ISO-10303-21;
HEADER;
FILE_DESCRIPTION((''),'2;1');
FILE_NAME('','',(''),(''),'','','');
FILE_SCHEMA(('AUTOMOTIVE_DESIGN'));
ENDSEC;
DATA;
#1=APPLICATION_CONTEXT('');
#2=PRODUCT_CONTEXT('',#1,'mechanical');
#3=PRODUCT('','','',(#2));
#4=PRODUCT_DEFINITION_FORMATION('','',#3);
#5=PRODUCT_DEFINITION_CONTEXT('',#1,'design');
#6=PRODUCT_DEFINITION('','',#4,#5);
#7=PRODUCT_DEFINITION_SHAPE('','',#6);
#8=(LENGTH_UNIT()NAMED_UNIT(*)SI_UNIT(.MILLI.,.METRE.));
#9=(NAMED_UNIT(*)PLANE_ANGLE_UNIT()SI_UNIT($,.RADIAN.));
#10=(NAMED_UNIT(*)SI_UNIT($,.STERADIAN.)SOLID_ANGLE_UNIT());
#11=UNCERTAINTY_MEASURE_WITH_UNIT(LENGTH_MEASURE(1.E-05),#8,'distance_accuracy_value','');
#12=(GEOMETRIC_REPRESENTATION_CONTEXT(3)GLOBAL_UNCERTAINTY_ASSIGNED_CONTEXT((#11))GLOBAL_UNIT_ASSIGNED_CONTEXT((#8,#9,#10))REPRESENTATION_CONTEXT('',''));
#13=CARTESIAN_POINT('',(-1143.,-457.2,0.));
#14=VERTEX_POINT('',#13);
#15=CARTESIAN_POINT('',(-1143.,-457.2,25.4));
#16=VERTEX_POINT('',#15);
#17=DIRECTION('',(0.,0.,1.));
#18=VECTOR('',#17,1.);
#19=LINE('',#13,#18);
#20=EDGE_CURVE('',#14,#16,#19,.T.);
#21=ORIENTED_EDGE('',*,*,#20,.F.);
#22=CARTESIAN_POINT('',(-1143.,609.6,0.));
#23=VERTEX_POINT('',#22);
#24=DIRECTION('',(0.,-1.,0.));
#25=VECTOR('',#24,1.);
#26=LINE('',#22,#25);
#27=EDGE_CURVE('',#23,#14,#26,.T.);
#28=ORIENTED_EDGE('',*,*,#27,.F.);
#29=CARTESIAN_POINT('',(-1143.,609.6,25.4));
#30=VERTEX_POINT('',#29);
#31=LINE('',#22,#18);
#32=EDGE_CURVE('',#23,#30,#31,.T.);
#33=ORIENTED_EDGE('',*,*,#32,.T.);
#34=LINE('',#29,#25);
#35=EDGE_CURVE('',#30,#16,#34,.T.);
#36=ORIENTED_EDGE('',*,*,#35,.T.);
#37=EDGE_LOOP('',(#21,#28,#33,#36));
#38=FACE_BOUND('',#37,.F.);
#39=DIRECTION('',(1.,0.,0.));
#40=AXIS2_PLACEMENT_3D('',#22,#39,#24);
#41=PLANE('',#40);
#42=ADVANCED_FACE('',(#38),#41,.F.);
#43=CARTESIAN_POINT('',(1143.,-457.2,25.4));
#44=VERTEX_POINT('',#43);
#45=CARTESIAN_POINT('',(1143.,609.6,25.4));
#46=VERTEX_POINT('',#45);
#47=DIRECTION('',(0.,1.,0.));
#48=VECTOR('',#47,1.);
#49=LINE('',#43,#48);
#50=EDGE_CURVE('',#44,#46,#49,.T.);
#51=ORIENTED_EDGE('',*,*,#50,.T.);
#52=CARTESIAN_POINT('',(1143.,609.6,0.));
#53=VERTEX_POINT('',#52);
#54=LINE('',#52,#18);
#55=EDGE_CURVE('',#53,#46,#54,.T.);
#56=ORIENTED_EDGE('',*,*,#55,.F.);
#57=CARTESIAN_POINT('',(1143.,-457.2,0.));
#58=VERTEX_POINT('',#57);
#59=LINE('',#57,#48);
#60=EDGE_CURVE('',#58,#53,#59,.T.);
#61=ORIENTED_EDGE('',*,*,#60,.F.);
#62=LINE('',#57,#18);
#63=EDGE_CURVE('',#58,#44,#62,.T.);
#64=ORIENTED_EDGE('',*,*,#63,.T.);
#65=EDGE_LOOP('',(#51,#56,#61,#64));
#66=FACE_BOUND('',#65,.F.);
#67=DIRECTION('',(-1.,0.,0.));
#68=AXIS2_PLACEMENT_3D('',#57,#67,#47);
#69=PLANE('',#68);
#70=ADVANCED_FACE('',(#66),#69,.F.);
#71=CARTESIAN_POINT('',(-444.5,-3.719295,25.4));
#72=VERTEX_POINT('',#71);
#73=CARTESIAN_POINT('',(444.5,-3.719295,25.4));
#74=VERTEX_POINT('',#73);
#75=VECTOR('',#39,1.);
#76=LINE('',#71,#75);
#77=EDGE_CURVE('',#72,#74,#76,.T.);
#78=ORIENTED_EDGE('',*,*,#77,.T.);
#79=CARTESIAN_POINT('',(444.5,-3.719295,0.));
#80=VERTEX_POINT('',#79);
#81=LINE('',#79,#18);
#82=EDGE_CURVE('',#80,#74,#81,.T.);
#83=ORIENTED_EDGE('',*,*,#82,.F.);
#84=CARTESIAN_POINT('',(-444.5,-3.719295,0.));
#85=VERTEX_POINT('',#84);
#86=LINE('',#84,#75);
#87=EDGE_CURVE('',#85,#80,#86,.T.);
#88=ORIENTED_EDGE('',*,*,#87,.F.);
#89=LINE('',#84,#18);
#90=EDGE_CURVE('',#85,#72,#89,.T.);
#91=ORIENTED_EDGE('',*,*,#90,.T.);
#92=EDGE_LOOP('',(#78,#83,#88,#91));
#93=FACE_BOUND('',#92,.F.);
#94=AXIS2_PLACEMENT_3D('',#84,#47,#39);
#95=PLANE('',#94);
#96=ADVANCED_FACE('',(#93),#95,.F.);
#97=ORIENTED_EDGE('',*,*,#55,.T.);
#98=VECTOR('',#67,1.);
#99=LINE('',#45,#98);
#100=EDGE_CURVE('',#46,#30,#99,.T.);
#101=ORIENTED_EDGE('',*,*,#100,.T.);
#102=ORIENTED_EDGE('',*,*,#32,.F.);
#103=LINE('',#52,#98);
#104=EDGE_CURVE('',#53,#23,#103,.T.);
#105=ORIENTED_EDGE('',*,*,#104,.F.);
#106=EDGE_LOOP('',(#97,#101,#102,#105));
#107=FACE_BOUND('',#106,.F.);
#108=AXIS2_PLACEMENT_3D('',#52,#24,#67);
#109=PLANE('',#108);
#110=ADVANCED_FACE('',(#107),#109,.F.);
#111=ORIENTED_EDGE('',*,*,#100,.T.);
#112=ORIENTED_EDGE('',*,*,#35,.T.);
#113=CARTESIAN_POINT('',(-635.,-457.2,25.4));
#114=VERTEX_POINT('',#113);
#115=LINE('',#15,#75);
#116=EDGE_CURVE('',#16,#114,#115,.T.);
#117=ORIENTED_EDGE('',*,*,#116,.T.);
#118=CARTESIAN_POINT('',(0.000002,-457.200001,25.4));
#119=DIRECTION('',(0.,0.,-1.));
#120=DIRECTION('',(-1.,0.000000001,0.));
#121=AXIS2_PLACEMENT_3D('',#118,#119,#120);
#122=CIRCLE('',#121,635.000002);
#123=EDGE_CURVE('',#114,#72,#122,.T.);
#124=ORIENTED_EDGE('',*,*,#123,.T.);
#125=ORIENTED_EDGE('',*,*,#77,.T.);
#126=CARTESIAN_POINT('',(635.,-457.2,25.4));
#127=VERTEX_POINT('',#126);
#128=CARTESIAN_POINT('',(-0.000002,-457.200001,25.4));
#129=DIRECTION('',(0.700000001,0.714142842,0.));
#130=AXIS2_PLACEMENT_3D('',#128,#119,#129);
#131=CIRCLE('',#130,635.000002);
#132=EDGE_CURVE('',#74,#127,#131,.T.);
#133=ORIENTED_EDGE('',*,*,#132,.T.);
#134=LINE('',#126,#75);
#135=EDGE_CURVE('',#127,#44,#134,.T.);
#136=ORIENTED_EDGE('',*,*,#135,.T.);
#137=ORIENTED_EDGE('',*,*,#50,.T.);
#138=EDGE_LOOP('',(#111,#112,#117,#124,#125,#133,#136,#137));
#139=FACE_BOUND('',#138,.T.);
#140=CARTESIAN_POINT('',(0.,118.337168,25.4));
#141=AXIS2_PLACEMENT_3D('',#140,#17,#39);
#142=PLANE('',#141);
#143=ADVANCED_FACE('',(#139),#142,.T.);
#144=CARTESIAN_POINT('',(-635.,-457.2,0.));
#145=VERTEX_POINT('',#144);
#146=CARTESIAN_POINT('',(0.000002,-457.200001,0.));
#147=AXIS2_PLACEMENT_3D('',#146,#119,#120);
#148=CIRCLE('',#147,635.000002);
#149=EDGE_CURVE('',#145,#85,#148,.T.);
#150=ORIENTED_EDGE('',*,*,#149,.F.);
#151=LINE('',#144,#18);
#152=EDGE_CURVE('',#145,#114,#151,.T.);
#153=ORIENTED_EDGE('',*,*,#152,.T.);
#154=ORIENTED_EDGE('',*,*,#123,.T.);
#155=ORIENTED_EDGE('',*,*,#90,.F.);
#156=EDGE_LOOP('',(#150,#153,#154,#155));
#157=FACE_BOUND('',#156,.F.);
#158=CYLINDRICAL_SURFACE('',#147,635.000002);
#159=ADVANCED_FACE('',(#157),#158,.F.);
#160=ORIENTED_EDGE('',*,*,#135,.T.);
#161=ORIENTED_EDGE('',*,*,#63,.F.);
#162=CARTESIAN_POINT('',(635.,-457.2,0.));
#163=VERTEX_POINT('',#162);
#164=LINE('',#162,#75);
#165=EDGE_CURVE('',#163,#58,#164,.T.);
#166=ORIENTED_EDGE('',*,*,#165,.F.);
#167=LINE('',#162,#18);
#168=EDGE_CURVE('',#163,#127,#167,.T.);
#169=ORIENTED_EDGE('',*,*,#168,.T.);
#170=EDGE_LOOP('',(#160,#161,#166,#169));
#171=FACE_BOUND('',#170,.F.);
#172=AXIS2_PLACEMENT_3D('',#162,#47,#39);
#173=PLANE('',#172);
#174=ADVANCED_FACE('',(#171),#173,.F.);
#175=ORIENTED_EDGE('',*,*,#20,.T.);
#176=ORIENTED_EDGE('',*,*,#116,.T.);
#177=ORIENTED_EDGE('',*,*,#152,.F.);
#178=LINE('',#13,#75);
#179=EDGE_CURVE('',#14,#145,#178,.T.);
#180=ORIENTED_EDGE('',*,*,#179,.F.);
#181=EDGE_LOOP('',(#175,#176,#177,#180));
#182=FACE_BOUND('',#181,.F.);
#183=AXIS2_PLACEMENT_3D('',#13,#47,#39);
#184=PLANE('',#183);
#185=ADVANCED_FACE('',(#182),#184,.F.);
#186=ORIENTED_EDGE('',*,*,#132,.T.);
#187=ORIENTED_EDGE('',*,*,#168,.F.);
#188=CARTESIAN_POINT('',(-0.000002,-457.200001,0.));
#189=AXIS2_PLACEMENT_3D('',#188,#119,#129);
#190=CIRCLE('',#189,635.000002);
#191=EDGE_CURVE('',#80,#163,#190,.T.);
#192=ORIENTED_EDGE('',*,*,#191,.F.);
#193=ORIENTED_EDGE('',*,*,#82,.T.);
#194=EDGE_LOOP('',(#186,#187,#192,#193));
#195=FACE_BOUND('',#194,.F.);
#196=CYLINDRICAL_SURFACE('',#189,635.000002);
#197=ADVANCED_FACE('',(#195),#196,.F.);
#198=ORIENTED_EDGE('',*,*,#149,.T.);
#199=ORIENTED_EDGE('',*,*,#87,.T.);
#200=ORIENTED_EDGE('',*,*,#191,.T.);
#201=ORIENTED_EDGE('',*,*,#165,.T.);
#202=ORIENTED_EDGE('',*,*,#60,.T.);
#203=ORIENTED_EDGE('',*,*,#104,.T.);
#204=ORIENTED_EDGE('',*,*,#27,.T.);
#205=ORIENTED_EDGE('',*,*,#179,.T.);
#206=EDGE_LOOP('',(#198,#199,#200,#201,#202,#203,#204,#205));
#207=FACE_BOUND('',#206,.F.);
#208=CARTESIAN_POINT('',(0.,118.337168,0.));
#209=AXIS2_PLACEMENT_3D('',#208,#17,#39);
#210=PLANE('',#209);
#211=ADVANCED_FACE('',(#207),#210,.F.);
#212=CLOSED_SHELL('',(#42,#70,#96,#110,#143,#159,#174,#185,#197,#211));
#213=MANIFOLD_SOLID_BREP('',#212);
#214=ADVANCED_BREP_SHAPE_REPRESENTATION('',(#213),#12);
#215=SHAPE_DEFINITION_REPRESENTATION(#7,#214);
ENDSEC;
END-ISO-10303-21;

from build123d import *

# Parameters (mm, degrees)
F1_DEPTH = 25.4
F2_DEPTH = 25.4


with BuildPart() as f1:
    # F0 (on Top) → F1 (new body)
    with BuildSketch(Plane.XY):
        with BuildLine():
            Line((0, 609.6), (-1143, 609.6))
            Line((-1143, 609.6), (-1143, 0))
            Line((-1143, 0), (-1143, -457.2))
            Line((-1143, -457.2), (-635, -457.2))
            ThreePointArc((-635, -457.2), (-585.441073, -211.265558), (-444.5, -3.719295))
            Line((-444.5, -3.719295), (444.5, -3.719295))
            ThreePointArc((444.5, -3.719295), (585.441073, -211.265558), (635, -457.2))
            Line((635, -457.2), (1143, -457.2))
            Line((1143, -457.2), (1143, 0))
            Line((1143, 0), (1143, 609.6))
            Line((1143, 609.6), (0, 609.6))
        make_face()
    extrude(amount=F1_DEPTH)

    # F0 (on Top) → F2 (join)
    with BuildSketch(Plane.XY):
        with BuildLine():
            Line((0, 609.6), (-1143, 609.6))
            Line((-1143, 609.6), (-1143, 0))
            Line((-1143, 0), (-1143, -457.2))
            Line((-1143, -457.2), (-635, -457.2))
            ThreePointArc((-635, -457.2), (-585.441073, -211.265558), (-444.5, -3.719295))
            Line((-444.5, -3.719295), (444.5, -3.719295))
            ThreePointArc((444.5, -3.719295), (585.441073, -211.265558), (635, -457.2))
            Line((635, -457.2), (1143, -457.2))
            Line((1143, -457.2), (1143, 0))
            Line((1143, 0), (1143, 609.6))
            Line((1143, 609.6), (0, 609.6))
        make_face()
    extrude(amount=F2_DEPTH)


solid = f1.part
